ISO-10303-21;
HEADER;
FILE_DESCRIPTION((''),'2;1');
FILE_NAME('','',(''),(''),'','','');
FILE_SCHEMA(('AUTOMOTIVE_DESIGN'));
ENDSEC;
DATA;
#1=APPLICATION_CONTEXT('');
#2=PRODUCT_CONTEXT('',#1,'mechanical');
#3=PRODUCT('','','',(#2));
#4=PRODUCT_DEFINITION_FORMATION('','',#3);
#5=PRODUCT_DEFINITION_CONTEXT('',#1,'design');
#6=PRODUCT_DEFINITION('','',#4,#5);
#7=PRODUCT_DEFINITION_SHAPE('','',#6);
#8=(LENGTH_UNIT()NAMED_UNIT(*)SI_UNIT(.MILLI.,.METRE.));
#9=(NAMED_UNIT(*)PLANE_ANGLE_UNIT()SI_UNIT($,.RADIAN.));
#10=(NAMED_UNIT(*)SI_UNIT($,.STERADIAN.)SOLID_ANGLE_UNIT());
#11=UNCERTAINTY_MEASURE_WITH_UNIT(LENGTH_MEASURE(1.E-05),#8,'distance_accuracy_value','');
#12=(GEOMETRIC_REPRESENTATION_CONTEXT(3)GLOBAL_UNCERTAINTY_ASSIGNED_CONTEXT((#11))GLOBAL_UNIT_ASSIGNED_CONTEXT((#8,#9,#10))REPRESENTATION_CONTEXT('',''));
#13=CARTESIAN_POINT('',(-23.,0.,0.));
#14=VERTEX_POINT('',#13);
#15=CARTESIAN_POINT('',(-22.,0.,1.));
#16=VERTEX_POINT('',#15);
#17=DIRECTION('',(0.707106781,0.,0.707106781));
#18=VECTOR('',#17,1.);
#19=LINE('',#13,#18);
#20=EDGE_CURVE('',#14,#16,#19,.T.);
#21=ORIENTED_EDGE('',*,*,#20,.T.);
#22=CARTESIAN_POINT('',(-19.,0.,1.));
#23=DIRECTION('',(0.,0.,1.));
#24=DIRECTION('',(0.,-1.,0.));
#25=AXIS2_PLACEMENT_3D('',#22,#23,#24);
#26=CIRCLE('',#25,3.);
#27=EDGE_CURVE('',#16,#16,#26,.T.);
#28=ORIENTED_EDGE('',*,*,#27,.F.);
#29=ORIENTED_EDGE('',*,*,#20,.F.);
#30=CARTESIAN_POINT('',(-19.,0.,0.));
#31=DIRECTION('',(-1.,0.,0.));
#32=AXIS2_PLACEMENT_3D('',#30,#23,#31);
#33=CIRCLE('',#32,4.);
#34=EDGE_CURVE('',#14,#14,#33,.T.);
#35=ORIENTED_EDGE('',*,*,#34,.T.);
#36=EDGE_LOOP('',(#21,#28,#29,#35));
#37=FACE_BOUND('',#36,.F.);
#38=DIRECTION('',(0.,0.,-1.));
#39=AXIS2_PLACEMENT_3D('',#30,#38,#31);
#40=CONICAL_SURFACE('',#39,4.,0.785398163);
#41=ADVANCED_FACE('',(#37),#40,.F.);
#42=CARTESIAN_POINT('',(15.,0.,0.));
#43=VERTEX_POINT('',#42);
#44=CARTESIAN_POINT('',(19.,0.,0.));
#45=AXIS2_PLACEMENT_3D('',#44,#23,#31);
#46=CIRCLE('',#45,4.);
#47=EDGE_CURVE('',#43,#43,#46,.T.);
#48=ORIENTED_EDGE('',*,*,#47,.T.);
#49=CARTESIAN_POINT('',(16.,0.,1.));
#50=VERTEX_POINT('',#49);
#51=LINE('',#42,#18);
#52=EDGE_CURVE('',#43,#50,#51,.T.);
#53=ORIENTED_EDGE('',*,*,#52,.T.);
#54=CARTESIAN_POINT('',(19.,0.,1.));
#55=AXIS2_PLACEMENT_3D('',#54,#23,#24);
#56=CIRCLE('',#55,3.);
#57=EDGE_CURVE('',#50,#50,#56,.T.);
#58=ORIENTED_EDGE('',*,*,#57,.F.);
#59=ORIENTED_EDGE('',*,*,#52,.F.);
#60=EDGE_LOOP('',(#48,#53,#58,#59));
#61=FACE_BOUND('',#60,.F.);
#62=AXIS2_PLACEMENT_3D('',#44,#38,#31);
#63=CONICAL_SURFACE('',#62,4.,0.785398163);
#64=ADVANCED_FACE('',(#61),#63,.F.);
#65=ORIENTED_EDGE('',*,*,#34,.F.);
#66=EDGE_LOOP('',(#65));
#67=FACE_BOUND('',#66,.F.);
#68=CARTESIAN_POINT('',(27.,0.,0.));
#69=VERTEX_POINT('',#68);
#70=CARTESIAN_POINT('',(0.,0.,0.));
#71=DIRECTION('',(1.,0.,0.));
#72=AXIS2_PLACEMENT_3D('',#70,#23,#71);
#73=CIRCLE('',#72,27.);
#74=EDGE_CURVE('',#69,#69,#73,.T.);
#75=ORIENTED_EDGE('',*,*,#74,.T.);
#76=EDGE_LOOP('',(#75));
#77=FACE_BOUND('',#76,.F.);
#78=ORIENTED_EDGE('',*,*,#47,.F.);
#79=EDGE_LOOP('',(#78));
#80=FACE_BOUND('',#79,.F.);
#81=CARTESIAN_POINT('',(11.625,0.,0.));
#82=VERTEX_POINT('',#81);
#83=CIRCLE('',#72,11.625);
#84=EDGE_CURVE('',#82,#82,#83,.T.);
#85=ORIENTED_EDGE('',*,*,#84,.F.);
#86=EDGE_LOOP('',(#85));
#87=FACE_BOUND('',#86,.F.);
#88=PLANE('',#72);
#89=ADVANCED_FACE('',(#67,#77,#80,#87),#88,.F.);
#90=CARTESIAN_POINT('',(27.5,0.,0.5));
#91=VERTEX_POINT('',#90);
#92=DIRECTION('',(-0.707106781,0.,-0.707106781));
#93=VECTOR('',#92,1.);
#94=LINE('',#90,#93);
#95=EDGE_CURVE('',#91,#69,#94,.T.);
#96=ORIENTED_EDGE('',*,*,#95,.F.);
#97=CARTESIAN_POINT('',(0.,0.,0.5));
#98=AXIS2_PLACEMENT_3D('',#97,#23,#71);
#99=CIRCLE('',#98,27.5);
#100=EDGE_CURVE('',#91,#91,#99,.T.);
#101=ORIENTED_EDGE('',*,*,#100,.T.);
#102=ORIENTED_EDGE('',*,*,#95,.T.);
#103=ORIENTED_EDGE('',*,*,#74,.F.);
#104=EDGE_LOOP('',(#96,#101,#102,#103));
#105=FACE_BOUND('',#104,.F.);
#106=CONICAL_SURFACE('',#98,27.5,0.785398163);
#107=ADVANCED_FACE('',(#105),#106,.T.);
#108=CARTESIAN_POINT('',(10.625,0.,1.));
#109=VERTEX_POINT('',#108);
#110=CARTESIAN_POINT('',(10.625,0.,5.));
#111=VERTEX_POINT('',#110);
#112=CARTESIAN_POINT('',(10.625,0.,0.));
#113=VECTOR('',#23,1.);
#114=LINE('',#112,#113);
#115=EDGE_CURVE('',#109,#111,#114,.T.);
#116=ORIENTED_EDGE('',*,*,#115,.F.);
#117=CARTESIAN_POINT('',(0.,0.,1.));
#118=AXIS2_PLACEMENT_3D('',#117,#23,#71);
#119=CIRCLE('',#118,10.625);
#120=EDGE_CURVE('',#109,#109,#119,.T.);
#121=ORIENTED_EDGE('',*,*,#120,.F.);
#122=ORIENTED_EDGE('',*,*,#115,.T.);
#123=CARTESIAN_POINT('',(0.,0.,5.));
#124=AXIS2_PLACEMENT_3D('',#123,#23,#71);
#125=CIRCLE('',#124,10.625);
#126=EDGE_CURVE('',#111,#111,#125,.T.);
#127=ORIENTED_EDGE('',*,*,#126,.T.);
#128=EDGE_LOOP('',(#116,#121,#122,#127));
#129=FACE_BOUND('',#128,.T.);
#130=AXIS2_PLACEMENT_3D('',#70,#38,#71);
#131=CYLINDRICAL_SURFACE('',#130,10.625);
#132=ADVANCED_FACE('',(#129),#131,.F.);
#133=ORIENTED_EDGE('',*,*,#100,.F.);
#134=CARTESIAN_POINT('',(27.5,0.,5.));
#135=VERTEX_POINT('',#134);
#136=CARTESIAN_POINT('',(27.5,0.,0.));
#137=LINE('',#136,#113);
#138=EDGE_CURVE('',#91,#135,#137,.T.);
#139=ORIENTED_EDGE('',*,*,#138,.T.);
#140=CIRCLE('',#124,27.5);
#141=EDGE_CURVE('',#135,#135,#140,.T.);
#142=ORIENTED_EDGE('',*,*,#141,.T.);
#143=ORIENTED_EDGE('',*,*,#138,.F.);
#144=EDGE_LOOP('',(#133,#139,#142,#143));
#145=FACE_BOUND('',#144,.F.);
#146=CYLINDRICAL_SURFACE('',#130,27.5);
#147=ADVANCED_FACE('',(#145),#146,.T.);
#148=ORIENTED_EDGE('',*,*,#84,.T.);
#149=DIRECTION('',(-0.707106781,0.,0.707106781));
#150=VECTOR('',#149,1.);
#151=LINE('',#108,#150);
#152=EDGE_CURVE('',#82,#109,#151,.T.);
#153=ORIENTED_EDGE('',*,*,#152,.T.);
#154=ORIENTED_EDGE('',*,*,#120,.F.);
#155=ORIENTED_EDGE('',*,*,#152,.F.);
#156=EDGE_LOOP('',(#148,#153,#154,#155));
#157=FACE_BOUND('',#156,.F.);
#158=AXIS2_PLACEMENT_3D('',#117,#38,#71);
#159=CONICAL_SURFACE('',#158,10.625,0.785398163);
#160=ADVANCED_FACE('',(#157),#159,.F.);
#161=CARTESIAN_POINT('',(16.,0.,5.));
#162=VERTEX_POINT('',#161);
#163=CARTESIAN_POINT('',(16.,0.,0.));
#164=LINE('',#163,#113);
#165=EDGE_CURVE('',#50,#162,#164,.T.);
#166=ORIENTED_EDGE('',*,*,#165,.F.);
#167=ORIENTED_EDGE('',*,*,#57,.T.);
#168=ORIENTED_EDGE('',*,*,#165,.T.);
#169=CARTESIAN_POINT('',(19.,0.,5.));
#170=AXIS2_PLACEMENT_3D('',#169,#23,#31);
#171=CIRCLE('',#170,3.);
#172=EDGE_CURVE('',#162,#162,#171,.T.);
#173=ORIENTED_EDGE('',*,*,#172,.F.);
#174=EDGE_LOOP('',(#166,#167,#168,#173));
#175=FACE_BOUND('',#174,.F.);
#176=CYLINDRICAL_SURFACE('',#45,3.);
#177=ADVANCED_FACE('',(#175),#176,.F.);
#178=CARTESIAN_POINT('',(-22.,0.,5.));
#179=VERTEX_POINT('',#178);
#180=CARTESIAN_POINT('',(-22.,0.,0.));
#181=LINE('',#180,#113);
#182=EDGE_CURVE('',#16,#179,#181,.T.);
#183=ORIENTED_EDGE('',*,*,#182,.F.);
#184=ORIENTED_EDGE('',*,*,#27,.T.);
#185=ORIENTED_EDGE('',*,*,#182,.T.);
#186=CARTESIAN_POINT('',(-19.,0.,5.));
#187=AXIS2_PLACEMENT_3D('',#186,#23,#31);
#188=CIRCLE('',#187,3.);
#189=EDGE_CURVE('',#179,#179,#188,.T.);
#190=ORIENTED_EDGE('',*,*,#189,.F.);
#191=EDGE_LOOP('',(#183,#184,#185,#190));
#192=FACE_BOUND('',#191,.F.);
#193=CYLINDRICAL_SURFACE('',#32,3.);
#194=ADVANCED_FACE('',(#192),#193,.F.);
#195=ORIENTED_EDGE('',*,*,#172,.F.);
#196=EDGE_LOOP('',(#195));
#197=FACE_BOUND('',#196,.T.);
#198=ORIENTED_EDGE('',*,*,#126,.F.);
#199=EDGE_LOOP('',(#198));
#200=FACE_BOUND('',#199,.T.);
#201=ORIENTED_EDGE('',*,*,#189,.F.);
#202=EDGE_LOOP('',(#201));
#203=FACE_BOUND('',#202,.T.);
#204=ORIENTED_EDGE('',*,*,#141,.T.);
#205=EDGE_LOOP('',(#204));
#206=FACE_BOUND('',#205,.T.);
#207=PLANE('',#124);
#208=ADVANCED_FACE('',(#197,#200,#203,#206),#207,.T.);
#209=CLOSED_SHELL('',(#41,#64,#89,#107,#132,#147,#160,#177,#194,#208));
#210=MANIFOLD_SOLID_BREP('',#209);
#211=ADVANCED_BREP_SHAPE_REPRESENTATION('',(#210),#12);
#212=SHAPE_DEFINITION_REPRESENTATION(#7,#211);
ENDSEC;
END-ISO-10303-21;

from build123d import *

# Parameters (mm, degrees)
SKETCH_R         = 27.5
SKETCH_R_2       = 10.625
PAD_DEPTH        = 5
CHAMFER_SIZE     = 0.5
CHAMFER001_SIZE  = 1
HOLE_D           = 6
HOLE_CSINK_D     = 8
HOLE_CSINK_ANGLE = 90


with BuildPart() as part:
    # Sketch → Pad (new body)
    with BuildSketch(Plane.XY):
        Circle(SKETCH_R)
        Circle(SKETCH_R_2, mode=Mode.SUBTRACT)
    extrude(amount=PAD_DEPTH)

    # Chamfer
    chamfer_edges = [part.edges().sort_by_distance(p)[0] for p in [
        (-27.5, 0, 0),
    ]]
    chamfer(chamfer_edges, length=CHAMFER_SIZE)

    # Chamfer001
    chamfer001_edges = [part.edges().sort_by_distance(p)[0] for p in [
        (-10.625, 0, 0),
    ]]
    chamfer(chamfer001_edges, length=CHAMFER001_SIZE)

    # Hole (through all)
    with Locations(Plane(origin=(0, 0, 0), x_dir=(1, 0, 0), z_dir=(0, 0, -1))):
        with Locations((-19, 0), (19, 0)):
            CounterSinkHole(HOLE_D / 2, HOLE_CSINK_D / 2, counter_sink_angle=HOLE_CSINK_ANGLE)


solid = part.part
